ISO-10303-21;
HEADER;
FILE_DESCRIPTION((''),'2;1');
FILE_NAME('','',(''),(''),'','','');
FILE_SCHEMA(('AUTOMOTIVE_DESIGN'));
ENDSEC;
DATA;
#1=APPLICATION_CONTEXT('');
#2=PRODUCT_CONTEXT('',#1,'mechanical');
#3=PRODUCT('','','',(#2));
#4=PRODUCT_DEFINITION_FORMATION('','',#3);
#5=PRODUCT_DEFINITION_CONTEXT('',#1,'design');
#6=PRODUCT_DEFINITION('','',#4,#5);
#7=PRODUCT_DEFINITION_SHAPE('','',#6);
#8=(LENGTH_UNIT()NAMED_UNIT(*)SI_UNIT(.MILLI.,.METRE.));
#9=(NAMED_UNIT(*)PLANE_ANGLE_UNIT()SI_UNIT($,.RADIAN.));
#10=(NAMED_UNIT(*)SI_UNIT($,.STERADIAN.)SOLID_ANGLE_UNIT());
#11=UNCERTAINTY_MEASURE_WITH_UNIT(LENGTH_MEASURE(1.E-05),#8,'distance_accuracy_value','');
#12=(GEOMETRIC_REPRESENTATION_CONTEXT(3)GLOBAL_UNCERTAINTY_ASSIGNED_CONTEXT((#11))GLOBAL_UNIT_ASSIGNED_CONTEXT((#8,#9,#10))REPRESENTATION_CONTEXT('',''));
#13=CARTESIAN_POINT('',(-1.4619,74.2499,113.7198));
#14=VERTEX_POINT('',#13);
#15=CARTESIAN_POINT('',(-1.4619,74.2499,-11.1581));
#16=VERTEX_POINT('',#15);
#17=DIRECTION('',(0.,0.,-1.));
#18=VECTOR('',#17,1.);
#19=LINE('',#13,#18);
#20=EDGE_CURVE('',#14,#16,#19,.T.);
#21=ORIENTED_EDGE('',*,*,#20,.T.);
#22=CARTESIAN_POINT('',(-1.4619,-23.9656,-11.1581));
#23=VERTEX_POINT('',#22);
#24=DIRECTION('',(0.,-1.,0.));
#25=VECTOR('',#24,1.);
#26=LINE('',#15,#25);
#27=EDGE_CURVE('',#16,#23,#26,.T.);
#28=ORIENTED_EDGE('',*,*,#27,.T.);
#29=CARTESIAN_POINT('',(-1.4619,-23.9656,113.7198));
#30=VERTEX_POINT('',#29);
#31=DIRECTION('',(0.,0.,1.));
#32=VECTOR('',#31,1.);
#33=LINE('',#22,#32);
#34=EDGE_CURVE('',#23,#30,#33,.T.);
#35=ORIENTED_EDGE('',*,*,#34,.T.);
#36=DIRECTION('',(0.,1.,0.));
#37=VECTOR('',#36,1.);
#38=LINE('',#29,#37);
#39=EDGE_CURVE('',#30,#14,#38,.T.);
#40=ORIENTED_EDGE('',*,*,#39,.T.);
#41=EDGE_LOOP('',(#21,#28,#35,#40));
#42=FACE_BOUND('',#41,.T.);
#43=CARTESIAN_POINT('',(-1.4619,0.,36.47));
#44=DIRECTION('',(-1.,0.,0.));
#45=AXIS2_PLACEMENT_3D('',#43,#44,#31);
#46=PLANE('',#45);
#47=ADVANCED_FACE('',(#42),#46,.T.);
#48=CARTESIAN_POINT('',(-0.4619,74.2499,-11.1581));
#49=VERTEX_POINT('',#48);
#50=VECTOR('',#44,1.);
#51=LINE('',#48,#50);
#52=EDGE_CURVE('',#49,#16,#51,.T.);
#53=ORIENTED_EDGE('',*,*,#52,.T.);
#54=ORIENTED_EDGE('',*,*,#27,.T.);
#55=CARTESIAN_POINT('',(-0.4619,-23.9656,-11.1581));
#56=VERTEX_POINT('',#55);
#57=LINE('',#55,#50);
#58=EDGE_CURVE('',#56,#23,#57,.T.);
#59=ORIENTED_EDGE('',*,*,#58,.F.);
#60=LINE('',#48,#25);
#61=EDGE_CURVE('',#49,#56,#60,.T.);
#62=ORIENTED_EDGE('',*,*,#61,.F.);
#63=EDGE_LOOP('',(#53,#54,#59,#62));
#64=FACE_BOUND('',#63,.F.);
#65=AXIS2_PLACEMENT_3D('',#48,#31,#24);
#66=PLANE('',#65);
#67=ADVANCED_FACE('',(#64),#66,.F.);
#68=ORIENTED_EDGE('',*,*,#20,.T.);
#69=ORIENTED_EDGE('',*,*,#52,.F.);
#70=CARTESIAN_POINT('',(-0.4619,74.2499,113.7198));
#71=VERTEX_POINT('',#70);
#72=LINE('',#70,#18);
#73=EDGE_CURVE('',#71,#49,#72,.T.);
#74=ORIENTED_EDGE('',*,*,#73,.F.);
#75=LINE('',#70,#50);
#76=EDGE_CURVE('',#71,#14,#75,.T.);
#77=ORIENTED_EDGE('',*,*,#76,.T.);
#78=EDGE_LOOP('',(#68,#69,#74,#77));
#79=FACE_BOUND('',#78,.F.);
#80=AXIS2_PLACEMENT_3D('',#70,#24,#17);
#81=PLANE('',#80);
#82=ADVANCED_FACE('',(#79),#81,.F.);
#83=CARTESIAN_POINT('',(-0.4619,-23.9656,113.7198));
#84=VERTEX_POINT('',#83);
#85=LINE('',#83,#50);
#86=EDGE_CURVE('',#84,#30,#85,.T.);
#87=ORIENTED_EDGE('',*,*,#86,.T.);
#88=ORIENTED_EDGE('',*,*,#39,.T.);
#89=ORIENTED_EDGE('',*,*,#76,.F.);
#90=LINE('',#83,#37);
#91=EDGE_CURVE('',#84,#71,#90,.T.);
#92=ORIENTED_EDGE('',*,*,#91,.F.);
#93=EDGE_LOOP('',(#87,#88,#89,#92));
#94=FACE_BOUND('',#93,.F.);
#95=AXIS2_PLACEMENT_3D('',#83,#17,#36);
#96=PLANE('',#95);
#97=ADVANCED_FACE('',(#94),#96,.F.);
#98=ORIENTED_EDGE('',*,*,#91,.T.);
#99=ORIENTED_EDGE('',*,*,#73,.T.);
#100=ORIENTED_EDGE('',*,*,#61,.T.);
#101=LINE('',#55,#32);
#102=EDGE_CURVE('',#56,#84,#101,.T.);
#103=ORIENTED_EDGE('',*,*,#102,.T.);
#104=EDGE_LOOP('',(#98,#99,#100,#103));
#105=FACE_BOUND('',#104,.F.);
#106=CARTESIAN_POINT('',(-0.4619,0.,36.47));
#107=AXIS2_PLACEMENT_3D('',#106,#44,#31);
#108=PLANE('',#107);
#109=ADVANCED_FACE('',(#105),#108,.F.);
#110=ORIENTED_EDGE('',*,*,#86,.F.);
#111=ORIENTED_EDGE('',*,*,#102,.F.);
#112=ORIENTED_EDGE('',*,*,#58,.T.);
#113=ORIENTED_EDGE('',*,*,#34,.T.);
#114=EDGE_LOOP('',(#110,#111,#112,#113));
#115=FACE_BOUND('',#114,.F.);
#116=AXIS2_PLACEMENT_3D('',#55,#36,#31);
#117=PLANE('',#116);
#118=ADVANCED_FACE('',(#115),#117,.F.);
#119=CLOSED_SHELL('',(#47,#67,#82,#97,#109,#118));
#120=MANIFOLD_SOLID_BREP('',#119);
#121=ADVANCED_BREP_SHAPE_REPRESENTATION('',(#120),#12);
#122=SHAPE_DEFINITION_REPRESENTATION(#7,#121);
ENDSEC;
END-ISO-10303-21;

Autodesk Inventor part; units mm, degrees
ref_plane "YZ Plane" through (0, 0, 0) normal (1, 0, 0) x (0, 1, 0)
ref_plane "XZ Plane" through (0, 0, 0) normal (0, 1, 0) x (-1, 0, 0)
ref_plane "XY Plane" through (0, 0, 0) normal (0, 0, 1) x (1, 0, 0)
ref_plane "Work Plane1" through (-0.4619, 0, 36.47) normal (-1, 0, 0) x (0, 0, 1)
sketch "Sketch2" plane through (-0.4619, 0, 36.47) normal (-1, 0, 0) x (0, 0, 1)
  line L0 (77.2498, 74.2499) -> (-47.6281, 74.2499)
  line L1 (-47.6281, 74.2499) -> (-47.6281, -23.9656)
  line L2 (-47.6281, -23.9656) -> (77.2498, -23.9656)
  line L3 (77.2498, -23.9656) -> (77.2498, 74.2499)
  point P0 (-36.47, 0)
extrude "Extrusion2" add sketch "Sketch2" along normal blind 1
sketch "Sketch4" plane through (-0.4619, -23.9656, -11.1581) normal (0, 0, -1) x (-1, 0, 0)
  line L0 (0, 98.2155) -> (0, 0) projected
  line L1 (0, 28.2273) -> (-66.675, 28.2273)
  line L2 (0, 28.2273) -> (66.675, 28.2273) construction
  point P0 (-0.4619, 23.9656)
  dimension "d8" = 66.675
  dimension "d9" = 180
properties part number "the wall"
